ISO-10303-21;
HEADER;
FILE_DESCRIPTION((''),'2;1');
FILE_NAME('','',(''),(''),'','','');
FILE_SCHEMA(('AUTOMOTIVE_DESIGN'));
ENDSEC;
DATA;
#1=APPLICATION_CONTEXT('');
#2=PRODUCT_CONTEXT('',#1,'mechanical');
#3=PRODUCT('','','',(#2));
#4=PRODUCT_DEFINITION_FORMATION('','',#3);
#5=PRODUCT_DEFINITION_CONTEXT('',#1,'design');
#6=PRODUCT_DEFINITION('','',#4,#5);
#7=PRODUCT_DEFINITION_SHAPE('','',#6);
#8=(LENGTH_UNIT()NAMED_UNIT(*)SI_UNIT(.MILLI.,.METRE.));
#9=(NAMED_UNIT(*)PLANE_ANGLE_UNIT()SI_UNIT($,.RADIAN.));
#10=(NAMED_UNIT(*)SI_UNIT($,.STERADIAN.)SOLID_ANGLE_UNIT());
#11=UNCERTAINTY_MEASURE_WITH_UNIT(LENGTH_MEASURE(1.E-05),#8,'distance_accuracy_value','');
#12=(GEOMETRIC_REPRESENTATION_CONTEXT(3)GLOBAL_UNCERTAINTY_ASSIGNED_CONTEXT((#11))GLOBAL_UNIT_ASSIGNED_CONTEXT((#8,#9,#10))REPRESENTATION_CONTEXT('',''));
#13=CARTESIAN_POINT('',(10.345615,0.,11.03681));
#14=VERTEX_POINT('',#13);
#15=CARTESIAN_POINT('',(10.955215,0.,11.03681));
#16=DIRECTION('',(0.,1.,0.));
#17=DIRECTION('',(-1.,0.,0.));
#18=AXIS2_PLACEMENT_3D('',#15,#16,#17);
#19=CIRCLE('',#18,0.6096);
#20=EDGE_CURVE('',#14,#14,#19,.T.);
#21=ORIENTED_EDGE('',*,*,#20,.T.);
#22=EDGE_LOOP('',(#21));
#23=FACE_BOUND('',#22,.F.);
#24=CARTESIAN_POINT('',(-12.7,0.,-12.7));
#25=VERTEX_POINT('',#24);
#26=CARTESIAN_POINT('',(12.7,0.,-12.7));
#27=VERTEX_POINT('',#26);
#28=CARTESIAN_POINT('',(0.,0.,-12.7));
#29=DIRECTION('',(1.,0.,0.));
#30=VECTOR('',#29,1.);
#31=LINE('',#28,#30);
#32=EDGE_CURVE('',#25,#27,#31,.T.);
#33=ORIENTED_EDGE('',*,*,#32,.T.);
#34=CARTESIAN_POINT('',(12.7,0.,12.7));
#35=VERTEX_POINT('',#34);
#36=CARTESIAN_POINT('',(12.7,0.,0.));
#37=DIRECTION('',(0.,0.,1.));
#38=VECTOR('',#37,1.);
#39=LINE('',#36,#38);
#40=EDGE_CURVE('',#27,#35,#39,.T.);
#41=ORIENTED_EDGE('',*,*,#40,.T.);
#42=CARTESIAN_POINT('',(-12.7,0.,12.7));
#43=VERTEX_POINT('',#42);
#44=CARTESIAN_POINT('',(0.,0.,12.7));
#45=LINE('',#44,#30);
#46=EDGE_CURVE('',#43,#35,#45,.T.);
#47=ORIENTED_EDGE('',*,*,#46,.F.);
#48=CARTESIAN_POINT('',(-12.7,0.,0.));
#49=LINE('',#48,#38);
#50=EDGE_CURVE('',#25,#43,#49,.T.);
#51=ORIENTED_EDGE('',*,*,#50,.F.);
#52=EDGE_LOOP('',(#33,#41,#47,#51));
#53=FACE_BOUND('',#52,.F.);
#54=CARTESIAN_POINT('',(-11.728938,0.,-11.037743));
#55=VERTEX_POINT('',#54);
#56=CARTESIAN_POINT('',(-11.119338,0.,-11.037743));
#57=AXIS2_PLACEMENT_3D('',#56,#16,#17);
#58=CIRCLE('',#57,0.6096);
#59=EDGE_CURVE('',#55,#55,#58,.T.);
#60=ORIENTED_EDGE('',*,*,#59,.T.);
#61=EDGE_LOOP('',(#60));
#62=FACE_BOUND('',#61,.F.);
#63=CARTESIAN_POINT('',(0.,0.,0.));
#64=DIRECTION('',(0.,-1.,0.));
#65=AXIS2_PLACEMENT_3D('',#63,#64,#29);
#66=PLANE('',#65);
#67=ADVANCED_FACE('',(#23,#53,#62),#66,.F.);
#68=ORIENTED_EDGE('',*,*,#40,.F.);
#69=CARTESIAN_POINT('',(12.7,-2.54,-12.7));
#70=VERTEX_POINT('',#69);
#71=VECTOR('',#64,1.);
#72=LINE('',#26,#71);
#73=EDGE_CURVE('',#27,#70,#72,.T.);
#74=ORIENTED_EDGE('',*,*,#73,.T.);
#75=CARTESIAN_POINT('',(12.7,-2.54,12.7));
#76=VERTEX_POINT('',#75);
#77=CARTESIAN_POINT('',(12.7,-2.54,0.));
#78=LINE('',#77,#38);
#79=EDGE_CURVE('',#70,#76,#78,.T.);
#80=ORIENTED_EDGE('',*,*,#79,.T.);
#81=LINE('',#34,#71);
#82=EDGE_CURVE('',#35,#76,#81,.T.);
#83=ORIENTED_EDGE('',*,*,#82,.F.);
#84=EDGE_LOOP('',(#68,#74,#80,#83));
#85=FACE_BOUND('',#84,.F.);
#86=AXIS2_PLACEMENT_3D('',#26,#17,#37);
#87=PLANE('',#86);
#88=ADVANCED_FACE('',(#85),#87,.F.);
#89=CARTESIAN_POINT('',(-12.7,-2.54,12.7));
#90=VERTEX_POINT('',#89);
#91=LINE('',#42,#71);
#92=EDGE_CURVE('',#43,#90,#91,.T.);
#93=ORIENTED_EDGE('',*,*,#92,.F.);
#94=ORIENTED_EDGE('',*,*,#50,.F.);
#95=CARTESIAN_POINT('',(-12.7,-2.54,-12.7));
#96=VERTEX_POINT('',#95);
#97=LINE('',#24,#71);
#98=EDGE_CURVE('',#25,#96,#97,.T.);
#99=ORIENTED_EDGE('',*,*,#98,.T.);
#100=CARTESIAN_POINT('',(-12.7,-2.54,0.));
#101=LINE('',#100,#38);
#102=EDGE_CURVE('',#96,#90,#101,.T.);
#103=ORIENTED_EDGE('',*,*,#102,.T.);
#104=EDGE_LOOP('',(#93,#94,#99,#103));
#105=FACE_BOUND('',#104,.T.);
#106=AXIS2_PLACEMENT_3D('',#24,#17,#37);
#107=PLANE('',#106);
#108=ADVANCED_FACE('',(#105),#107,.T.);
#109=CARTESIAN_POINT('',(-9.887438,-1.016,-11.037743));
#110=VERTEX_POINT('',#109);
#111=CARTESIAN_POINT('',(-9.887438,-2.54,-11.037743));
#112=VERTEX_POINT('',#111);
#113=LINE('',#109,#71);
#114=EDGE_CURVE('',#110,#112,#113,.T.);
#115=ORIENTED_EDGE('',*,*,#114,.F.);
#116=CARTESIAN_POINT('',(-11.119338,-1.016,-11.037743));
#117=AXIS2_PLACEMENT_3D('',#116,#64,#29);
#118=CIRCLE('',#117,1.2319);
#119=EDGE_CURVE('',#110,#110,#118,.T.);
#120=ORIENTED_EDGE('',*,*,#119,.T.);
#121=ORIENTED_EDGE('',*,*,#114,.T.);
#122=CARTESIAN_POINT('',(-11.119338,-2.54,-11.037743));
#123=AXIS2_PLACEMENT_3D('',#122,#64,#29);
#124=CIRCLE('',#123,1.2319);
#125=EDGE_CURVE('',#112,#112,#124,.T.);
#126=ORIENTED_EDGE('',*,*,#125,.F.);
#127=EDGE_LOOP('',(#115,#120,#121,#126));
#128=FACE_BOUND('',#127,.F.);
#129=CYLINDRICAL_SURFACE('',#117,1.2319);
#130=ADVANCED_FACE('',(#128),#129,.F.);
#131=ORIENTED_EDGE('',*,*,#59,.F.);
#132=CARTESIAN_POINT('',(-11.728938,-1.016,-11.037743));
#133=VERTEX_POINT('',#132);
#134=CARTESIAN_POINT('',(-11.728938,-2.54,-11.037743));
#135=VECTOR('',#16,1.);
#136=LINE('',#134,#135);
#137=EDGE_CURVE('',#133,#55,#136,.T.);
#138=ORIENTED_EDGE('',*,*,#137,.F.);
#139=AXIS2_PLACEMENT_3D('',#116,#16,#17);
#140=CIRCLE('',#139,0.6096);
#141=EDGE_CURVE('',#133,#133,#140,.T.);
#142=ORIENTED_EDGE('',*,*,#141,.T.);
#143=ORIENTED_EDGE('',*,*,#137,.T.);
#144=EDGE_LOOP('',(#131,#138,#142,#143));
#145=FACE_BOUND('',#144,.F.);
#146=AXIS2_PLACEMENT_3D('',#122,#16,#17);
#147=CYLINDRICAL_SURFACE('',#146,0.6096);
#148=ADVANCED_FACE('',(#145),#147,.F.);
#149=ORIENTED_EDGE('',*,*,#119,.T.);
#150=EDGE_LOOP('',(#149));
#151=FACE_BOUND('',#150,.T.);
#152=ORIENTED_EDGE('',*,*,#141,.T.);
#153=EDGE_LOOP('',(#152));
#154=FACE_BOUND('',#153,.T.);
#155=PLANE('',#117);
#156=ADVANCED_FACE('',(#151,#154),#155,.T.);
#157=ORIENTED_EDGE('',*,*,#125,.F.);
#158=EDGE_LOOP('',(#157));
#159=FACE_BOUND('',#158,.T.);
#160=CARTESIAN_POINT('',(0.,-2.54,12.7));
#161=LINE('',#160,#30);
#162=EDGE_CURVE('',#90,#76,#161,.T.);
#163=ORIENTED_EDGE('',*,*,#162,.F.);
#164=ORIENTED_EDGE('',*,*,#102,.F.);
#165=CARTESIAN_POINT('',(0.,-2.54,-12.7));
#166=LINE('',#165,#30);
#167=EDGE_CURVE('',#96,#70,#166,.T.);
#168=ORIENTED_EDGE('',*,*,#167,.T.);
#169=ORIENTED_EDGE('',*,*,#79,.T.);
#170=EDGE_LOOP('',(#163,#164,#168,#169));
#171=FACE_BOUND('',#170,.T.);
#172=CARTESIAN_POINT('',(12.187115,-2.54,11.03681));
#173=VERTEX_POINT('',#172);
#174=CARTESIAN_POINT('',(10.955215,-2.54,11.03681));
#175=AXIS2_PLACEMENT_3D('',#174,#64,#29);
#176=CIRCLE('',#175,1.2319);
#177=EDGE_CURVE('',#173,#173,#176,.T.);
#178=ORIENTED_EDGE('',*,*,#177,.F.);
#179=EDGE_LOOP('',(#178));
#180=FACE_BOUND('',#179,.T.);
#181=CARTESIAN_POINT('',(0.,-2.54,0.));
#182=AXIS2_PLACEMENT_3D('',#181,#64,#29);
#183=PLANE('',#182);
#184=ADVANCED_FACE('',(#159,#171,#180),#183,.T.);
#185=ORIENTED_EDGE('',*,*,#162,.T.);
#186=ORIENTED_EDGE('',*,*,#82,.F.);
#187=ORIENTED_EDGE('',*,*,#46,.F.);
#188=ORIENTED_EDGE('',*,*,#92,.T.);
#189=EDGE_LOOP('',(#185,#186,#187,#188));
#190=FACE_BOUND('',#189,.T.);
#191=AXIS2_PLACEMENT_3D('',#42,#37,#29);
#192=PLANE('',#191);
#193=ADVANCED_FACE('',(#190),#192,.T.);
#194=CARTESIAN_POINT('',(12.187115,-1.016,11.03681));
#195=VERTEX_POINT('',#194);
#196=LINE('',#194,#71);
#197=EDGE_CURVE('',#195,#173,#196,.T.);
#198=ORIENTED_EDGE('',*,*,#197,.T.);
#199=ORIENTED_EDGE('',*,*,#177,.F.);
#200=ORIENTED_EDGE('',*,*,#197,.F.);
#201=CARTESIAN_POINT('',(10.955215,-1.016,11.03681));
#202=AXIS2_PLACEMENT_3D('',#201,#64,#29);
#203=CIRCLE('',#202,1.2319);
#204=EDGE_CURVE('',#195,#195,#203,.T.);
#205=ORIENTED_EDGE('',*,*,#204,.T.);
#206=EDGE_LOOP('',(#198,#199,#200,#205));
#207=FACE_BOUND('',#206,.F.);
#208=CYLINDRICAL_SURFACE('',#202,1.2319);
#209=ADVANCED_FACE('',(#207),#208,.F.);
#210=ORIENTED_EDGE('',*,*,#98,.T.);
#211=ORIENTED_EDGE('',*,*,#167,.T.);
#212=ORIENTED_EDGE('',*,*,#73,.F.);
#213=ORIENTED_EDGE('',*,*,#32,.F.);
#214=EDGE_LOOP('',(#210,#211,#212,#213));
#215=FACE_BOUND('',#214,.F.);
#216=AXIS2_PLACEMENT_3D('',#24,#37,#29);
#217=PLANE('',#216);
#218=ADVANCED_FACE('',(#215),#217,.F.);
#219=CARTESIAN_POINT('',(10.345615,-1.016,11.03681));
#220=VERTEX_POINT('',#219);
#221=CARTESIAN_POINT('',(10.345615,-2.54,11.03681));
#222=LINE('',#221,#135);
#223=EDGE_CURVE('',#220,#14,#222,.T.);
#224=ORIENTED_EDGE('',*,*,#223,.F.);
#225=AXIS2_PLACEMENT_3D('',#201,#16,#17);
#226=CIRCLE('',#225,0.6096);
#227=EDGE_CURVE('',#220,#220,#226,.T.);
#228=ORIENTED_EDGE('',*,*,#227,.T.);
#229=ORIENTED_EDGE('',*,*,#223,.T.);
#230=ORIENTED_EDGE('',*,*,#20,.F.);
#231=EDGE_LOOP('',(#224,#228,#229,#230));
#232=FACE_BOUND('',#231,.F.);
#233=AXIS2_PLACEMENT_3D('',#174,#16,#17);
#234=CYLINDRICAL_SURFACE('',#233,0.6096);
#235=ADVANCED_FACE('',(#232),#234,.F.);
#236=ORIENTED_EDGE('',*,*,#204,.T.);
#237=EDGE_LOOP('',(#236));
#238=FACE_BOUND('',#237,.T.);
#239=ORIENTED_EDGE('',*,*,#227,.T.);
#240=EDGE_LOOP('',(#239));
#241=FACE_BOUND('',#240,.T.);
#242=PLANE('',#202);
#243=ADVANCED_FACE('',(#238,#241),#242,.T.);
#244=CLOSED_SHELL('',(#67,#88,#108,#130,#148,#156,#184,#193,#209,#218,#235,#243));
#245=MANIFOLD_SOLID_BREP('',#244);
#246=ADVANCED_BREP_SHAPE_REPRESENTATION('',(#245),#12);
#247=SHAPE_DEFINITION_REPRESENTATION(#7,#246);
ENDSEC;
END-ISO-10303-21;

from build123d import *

# Parameters (mm, degrees)
F0_W           = 25.4
F0_H           = 25.4
F1_DEPTH       = 2.54
F3_D           = 1.2192
F3_CBORE_D     = 2.4638
F3_CBORE_DEPTH = 1.524
F4_D           = 1.2192
F4_CBORE_D     = 2.4638
F4_CBORE_DEPTH = 1.524


with BuildPart() as f1:
    # F0 (on Front) → F1 (new body)
    with BuildSketch(Plane.XZ):
        Rectangle(F0_W, F0_H)
    extrude(amount=F1_DEPTH)

    # F3 (through all)
    with Locations(Plane.XZ.offset(2.54)):
        with Locations((-11.119338, -11.037743)):
            CounterBoreHole(F3_D / 2, F3_CBORE_D / 2, F3_CBORE_DEPTH)

    # F4 (through all)
    with Locations(Plane.XZ.offset(2.54)):
        with Locations((10.955215, 11.03681)):
            CounterBoreHole(F4_D / 2, F4_CBORE_D / 2, F4_CBORE_DEPTH)


solid = f1.part
